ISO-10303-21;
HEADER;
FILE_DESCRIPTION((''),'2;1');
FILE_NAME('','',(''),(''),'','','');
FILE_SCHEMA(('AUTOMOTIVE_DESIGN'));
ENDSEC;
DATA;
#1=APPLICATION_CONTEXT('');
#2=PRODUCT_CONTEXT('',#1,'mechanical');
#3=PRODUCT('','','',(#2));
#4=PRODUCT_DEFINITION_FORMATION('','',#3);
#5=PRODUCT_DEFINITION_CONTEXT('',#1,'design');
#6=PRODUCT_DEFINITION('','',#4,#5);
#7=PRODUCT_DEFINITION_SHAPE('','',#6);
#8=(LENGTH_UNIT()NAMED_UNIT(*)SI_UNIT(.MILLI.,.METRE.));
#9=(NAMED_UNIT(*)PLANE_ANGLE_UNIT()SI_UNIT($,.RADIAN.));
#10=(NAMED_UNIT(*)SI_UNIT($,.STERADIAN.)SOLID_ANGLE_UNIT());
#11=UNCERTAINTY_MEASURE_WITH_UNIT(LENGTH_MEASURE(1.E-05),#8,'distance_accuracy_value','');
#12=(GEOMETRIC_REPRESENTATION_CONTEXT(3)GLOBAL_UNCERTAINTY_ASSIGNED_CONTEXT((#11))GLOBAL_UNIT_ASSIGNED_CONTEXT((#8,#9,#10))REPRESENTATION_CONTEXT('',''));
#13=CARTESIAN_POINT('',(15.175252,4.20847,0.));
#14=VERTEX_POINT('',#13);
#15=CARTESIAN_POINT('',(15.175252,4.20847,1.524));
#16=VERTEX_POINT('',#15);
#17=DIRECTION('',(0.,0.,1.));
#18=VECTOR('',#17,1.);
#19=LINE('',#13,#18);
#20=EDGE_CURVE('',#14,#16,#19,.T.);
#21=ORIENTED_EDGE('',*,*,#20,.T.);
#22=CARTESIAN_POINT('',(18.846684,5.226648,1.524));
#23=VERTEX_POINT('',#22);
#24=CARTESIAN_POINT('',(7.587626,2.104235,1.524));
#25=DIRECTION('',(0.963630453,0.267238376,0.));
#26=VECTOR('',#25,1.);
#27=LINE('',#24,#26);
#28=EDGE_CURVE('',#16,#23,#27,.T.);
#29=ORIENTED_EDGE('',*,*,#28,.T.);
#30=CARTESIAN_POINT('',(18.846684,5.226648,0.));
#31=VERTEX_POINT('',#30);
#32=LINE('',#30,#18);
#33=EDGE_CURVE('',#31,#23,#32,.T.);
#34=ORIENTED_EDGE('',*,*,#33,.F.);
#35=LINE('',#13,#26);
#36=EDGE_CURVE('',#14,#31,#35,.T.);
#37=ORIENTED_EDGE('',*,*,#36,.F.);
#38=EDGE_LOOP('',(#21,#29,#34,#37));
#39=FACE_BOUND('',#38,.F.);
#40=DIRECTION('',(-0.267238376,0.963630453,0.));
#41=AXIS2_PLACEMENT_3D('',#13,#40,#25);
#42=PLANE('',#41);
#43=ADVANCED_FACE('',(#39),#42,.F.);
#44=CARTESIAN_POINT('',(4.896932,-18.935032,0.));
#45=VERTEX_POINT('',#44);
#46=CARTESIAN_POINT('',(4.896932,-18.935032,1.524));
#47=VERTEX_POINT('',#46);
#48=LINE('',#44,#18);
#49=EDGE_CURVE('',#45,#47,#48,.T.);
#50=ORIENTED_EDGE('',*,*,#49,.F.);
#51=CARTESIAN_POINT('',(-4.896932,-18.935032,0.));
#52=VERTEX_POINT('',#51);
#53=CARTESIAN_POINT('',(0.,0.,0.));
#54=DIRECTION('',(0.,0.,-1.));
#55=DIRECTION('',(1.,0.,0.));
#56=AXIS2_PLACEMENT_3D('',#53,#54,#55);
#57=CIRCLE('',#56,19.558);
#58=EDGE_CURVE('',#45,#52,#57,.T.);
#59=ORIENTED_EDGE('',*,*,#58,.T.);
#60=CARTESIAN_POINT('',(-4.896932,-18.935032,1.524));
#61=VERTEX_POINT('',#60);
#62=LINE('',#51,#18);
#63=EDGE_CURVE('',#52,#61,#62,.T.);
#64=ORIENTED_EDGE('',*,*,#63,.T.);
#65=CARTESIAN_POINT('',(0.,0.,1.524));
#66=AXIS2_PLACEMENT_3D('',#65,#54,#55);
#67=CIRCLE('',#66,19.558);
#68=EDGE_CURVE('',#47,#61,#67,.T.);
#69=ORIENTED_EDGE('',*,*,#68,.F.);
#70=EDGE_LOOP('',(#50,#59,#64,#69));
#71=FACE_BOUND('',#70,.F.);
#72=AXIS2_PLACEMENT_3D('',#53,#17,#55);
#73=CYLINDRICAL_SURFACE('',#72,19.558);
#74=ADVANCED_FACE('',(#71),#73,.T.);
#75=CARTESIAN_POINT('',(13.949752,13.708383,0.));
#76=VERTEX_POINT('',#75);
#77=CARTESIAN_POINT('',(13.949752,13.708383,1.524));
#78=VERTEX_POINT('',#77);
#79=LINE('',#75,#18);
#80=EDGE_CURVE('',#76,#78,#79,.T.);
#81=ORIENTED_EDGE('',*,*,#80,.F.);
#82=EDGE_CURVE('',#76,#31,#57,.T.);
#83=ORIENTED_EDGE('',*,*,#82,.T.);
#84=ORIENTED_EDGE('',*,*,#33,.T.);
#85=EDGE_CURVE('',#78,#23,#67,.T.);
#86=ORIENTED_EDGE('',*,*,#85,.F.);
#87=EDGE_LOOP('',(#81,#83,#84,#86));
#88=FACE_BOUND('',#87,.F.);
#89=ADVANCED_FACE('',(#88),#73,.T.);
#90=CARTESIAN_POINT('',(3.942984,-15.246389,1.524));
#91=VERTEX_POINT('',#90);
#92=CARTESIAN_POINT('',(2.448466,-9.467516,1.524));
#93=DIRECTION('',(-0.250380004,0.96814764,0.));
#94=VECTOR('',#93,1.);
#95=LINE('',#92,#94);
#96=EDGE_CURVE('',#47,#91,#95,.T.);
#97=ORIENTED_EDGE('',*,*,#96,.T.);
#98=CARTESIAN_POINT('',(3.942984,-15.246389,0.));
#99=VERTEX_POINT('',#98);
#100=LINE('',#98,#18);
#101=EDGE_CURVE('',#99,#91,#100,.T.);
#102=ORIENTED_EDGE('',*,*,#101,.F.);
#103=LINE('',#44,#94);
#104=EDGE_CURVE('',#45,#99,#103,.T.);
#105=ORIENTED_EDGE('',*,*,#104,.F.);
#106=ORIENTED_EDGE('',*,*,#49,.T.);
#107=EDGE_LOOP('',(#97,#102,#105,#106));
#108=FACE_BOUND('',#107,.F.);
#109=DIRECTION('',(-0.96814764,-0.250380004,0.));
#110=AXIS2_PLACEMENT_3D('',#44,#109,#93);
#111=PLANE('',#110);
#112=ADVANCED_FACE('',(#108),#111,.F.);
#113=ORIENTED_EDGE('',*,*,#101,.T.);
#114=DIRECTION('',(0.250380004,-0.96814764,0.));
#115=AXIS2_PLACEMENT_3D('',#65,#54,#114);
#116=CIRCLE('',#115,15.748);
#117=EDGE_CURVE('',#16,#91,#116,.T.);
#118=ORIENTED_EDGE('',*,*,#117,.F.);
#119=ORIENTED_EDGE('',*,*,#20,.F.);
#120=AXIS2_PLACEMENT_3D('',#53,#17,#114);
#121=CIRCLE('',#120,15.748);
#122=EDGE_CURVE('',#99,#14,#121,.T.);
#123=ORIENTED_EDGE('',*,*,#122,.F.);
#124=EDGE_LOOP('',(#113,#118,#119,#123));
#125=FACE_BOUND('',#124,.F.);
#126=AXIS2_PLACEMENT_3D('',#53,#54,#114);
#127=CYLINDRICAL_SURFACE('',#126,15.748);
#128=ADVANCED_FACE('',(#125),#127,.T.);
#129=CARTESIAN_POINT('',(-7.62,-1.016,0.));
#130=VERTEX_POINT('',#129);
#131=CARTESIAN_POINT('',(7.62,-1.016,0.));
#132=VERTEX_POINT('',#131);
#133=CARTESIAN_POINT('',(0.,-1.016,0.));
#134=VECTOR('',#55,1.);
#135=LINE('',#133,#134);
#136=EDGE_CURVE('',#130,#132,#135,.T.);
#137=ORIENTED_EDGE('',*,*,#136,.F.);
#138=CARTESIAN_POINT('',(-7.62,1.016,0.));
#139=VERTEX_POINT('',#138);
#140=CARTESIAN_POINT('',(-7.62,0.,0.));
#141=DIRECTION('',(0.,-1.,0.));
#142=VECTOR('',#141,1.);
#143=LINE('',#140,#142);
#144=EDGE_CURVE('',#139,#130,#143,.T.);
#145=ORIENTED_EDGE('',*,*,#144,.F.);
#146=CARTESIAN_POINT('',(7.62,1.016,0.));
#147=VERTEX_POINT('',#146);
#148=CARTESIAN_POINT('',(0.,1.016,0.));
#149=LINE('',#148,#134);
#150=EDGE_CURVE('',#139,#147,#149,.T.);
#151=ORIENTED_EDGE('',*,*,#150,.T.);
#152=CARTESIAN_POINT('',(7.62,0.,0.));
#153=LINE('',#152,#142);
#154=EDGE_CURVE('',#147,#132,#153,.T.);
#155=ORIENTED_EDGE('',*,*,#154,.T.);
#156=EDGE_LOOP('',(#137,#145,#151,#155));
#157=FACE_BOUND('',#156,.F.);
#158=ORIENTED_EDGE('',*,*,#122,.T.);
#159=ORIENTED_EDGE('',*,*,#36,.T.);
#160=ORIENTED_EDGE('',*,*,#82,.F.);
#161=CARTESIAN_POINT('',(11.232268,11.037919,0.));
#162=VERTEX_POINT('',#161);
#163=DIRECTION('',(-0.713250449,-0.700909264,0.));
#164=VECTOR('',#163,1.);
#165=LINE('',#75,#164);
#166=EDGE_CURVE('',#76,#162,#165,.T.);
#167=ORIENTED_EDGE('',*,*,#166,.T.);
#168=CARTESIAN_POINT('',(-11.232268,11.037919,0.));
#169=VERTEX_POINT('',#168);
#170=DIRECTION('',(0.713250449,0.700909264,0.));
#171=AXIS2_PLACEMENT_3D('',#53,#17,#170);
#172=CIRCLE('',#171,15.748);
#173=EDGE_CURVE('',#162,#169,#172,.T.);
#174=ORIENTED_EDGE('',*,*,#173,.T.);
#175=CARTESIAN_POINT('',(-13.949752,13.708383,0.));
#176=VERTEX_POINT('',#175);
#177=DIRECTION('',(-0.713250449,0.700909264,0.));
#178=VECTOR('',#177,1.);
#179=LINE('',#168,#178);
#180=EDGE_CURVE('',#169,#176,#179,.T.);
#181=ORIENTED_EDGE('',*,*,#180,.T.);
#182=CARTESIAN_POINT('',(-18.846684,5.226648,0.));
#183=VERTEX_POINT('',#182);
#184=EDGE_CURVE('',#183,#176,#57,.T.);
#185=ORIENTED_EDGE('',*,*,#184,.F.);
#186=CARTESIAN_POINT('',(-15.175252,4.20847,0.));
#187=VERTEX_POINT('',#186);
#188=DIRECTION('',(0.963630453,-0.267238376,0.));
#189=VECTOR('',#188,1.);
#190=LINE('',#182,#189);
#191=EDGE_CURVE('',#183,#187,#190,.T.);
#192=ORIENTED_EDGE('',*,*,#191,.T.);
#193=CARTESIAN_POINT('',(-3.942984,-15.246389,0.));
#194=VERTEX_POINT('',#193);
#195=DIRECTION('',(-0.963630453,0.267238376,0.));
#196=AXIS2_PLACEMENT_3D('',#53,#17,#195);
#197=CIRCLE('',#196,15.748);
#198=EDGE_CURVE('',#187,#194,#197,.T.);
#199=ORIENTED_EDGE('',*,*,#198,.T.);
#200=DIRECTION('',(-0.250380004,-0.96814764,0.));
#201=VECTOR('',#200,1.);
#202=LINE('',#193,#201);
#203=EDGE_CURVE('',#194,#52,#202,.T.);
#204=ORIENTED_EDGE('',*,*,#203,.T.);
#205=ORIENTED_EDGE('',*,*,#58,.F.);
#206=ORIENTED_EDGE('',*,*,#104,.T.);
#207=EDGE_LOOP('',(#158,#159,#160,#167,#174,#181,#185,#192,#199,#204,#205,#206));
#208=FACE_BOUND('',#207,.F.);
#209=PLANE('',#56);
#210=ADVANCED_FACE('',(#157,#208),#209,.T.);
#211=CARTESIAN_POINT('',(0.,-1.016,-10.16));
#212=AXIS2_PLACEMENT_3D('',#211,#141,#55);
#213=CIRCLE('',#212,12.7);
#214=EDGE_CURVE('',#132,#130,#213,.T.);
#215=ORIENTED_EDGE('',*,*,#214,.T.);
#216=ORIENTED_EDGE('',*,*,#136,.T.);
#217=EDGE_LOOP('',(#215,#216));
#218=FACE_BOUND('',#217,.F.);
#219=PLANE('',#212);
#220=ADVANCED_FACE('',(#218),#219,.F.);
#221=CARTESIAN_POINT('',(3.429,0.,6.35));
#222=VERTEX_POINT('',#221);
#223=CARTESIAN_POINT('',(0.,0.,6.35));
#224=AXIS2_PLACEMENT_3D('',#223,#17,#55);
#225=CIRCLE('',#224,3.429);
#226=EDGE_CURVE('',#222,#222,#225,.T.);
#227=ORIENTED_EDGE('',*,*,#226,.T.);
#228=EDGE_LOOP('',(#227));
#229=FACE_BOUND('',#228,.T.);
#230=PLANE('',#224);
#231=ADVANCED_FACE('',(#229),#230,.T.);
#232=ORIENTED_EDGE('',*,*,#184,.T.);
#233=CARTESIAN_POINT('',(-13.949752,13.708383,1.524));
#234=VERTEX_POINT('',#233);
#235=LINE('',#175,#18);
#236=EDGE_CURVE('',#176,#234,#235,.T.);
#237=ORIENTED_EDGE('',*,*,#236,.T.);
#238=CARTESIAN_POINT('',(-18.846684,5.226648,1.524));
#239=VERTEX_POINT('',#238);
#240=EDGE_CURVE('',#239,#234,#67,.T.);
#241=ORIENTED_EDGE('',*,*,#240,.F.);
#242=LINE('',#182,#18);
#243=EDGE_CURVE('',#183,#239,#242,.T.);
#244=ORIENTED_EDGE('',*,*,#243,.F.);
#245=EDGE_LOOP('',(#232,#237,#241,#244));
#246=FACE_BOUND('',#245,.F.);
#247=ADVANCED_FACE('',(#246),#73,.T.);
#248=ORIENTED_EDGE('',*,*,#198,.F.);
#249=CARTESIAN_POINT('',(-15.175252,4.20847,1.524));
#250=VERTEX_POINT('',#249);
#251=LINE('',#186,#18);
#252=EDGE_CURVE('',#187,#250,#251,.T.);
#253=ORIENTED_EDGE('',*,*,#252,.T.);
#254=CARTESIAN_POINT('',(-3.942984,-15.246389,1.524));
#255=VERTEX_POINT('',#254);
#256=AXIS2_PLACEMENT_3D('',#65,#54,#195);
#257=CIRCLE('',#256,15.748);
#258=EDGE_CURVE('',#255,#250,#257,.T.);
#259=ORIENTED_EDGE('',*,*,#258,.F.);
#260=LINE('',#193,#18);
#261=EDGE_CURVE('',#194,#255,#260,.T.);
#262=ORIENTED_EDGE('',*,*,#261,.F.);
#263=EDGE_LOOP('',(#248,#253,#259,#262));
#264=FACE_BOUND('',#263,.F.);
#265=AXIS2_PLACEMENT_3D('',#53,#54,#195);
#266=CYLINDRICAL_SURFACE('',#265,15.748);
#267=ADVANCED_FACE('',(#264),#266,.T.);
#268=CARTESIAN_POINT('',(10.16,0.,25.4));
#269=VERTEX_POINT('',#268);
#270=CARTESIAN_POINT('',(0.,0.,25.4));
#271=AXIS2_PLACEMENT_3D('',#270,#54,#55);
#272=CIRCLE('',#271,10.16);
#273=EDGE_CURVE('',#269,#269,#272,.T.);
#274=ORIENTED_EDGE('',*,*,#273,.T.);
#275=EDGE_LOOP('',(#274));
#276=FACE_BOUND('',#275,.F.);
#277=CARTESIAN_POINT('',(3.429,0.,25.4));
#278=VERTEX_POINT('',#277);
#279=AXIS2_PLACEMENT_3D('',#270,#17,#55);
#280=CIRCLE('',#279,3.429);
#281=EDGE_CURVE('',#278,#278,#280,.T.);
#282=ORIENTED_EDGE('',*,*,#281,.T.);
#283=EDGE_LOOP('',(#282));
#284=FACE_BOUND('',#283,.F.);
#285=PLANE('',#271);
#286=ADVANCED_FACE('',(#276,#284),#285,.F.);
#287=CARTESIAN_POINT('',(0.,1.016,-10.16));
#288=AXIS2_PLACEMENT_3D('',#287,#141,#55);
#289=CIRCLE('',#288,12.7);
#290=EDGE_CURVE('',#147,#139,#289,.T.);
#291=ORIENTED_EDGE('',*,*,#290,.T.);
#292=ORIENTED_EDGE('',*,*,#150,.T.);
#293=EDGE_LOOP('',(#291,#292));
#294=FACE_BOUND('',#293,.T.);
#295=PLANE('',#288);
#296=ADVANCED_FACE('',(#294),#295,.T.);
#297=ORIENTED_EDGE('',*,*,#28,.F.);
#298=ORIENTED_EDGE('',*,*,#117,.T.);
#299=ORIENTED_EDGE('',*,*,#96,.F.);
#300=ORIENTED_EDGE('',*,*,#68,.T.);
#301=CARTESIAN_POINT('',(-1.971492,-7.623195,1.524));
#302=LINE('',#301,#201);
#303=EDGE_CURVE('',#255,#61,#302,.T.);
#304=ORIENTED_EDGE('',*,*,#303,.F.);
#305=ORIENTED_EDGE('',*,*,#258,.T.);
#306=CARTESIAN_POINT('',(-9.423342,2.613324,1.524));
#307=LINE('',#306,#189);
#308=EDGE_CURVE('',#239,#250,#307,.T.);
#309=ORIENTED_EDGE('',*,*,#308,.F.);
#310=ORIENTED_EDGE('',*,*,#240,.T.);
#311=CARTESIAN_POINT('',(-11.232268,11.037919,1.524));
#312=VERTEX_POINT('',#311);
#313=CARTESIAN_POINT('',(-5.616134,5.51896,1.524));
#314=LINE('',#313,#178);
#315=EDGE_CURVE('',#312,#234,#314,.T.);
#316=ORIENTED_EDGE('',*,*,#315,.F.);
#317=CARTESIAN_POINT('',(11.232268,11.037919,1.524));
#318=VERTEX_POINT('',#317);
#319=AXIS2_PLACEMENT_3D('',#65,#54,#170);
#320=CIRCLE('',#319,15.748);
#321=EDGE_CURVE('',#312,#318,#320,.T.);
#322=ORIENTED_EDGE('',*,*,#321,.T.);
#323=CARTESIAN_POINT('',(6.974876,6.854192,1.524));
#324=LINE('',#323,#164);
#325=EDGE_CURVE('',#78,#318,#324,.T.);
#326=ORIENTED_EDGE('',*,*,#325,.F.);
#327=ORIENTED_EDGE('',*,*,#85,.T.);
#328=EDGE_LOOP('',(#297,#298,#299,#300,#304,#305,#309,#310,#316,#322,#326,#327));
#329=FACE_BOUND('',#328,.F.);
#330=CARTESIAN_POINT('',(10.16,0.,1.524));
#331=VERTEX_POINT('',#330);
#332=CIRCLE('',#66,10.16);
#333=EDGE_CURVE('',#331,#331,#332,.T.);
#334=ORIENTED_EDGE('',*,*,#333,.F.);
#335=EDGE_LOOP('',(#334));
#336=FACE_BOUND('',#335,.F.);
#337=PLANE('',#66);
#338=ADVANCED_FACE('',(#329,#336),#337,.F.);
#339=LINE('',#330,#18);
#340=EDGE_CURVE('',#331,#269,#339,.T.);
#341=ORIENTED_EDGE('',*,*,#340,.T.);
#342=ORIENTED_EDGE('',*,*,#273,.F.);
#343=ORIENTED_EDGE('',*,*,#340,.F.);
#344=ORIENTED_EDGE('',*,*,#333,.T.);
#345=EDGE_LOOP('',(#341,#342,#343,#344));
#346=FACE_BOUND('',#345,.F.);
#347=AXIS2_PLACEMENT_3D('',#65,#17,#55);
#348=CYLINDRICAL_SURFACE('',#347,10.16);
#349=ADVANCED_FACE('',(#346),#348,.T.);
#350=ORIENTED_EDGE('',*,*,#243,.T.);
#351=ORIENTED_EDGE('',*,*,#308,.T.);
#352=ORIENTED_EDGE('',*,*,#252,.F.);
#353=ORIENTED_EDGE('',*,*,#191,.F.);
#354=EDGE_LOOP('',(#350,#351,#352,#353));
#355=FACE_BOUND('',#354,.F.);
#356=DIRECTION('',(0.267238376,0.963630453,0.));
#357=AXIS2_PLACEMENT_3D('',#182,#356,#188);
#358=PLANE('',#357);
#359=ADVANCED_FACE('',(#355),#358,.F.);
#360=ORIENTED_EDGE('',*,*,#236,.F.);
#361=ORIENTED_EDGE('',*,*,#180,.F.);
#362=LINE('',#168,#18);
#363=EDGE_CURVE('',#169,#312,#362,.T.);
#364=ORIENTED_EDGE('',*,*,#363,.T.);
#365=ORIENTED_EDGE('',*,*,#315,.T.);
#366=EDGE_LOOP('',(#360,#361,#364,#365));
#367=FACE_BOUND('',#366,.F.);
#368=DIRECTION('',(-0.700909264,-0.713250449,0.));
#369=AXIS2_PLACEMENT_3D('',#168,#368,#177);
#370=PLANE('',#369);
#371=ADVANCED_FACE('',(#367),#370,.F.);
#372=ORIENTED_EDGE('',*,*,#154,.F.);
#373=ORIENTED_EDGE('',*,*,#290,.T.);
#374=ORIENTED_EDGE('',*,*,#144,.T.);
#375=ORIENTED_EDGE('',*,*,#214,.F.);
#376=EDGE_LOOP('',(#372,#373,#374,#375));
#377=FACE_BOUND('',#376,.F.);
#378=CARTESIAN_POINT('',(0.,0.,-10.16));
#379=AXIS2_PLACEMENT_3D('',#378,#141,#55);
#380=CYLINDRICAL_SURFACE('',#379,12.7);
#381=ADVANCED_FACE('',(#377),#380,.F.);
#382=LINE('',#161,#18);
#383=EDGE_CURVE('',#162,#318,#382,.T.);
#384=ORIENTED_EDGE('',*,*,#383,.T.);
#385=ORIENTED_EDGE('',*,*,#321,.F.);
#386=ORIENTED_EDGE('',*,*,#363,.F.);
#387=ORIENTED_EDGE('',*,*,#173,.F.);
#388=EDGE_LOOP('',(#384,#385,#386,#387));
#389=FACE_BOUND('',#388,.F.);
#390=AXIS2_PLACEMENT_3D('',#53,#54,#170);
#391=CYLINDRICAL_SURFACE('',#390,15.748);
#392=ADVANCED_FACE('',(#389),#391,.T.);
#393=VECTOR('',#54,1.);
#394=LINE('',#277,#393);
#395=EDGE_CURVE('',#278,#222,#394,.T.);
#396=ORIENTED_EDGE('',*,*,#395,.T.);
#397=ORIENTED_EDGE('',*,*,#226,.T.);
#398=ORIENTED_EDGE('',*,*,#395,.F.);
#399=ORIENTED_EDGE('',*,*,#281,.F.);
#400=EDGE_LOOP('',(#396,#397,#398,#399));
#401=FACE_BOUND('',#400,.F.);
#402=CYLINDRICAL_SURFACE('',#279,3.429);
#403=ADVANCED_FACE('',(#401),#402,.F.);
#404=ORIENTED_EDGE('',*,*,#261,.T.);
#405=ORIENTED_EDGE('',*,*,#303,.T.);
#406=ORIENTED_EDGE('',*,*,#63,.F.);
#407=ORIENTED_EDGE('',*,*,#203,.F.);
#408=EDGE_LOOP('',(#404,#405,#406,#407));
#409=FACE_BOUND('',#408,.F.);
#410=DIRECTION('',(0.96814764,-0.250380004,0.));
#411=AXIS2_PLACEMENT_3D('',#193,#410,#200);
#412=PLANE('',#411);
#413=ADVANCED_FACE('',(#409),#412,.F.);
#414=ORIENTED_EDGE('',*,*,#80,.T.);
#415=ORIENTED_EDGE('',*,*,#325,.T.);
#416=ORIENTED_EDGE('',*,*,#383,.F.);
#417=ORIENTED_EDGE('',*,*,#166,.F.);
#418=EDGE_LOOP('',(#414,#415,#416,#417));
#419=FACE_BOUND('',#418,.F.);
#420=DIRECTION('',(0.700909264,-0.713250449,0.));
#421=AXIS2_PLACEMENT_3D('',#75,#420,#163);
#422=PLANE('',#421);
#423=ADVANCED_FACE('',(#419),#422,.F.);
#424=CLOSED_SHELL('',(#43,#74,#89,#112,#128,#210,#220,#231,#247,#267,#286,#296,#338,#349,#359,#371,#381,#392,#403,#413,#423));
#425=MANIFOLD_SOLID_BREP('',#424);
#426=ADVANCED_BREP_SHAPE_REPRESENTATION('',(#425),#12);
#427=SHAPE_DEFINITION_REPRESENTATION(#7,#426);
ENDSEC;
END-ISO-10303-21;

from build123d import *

# Parameters (mm, degrees)
F3_DEPTH = 25.401
F4_R     = 3.429
F5_DEPTH = 19.05
F6_R     = 12.7
F7_DEPTH = 1.016


with BuildPart() as f1:
    # F0 (on Front) → F1 (revolve)
    with BuildSketch(Plane.XZ):
        Polygon((0, 25.4), (0, 0), (19.558, 0), (19.558, 1.524), (10.16, 1.524), (10.16, 25.4), align=None)
    revolve(axis=Axis((0, 0, 10.4228793643), (0, 0, -1)))

    # F2 (on face) → F3 (cut, through all)
    with BuildSketch(Plane(origin=(0, 0, 0), x_dir=(1, 0, 0), z_dir=(0, 0, -1))):
        with BuildLine():
            Line((-3.9429843038, 15.2463890407), (-4.8969321193, 18.9350315505))
            ThreePointArc((-4.8969321193, 18.9350315505), (-16.9377248472, 9.779), (-18.8466844039, -5.2266481593))
            Line((-18.8466844039, -5.2266481593), (-15.1752523771, -4.2084699465))
            ThreePointArc((-15.1752523771, -4.2084699465), (-13.6381680588, 7.874), (-3.9429843038, 15.2463890407))
        make_face()
        with BuildLine():
            Line((4.8969321193, 18.9350315505), (3.9429843038, 15.2463890407))
            ThreePointArc((3.9429843038, 15.2463890407), (13.6381680588, 7.874), (15.1752523771, -4.2084699465))
            Line((15.1752523771, -4.2084699465), (18.8466844039, -5.2266481593))
            ThreePointArc((18.8466844039, -5.2266481593), (19.3793552211, -2.6374144943), (19.558, 0))
            ThreePointArc((19.558, 0), (15.4643066833, 11.9737455629), (4.8969321193, 18.9350315505))
        make_face()
        with BuildLine():
            ThreePointArc((-13.9497522846, -13.7083833912), (0, -19.558), (13.9497522846, -13.7083833912))
            Line((13.9497522846, -13.7083833912), (11.2322680733, -11.0379190942))
            ThreePointArc((11.2322680733, -11.0379190942), (0, -15.748), (-11.2322680733, -11.0379190942))
            Line((-11.2322680733, -11.0379190942), (-13.9497522846, -13.7083833912))
        make_face()
    extrude(amount=-F3_DEPTH, mode=Mode.SUBTRACT)

    # F4 (on face) → F5 (cut)
    with BuildSketch(Plane.XY.offset(25.4)):
        Circle(F4_R)
    extrude(amount=-F5_DEPTH, mode=Mode.SUBTRACT)

    # F6 (on Front) → F7 (cut, symmetric)
    with BuildSketch(Plane.XZ):
        with Locations((0, -10.16)):
            Circle(F6_R)
    extrude(amount=F7_DEPTH, both=True, mode=Mode.SUBTRACT)


solid = f1.part
